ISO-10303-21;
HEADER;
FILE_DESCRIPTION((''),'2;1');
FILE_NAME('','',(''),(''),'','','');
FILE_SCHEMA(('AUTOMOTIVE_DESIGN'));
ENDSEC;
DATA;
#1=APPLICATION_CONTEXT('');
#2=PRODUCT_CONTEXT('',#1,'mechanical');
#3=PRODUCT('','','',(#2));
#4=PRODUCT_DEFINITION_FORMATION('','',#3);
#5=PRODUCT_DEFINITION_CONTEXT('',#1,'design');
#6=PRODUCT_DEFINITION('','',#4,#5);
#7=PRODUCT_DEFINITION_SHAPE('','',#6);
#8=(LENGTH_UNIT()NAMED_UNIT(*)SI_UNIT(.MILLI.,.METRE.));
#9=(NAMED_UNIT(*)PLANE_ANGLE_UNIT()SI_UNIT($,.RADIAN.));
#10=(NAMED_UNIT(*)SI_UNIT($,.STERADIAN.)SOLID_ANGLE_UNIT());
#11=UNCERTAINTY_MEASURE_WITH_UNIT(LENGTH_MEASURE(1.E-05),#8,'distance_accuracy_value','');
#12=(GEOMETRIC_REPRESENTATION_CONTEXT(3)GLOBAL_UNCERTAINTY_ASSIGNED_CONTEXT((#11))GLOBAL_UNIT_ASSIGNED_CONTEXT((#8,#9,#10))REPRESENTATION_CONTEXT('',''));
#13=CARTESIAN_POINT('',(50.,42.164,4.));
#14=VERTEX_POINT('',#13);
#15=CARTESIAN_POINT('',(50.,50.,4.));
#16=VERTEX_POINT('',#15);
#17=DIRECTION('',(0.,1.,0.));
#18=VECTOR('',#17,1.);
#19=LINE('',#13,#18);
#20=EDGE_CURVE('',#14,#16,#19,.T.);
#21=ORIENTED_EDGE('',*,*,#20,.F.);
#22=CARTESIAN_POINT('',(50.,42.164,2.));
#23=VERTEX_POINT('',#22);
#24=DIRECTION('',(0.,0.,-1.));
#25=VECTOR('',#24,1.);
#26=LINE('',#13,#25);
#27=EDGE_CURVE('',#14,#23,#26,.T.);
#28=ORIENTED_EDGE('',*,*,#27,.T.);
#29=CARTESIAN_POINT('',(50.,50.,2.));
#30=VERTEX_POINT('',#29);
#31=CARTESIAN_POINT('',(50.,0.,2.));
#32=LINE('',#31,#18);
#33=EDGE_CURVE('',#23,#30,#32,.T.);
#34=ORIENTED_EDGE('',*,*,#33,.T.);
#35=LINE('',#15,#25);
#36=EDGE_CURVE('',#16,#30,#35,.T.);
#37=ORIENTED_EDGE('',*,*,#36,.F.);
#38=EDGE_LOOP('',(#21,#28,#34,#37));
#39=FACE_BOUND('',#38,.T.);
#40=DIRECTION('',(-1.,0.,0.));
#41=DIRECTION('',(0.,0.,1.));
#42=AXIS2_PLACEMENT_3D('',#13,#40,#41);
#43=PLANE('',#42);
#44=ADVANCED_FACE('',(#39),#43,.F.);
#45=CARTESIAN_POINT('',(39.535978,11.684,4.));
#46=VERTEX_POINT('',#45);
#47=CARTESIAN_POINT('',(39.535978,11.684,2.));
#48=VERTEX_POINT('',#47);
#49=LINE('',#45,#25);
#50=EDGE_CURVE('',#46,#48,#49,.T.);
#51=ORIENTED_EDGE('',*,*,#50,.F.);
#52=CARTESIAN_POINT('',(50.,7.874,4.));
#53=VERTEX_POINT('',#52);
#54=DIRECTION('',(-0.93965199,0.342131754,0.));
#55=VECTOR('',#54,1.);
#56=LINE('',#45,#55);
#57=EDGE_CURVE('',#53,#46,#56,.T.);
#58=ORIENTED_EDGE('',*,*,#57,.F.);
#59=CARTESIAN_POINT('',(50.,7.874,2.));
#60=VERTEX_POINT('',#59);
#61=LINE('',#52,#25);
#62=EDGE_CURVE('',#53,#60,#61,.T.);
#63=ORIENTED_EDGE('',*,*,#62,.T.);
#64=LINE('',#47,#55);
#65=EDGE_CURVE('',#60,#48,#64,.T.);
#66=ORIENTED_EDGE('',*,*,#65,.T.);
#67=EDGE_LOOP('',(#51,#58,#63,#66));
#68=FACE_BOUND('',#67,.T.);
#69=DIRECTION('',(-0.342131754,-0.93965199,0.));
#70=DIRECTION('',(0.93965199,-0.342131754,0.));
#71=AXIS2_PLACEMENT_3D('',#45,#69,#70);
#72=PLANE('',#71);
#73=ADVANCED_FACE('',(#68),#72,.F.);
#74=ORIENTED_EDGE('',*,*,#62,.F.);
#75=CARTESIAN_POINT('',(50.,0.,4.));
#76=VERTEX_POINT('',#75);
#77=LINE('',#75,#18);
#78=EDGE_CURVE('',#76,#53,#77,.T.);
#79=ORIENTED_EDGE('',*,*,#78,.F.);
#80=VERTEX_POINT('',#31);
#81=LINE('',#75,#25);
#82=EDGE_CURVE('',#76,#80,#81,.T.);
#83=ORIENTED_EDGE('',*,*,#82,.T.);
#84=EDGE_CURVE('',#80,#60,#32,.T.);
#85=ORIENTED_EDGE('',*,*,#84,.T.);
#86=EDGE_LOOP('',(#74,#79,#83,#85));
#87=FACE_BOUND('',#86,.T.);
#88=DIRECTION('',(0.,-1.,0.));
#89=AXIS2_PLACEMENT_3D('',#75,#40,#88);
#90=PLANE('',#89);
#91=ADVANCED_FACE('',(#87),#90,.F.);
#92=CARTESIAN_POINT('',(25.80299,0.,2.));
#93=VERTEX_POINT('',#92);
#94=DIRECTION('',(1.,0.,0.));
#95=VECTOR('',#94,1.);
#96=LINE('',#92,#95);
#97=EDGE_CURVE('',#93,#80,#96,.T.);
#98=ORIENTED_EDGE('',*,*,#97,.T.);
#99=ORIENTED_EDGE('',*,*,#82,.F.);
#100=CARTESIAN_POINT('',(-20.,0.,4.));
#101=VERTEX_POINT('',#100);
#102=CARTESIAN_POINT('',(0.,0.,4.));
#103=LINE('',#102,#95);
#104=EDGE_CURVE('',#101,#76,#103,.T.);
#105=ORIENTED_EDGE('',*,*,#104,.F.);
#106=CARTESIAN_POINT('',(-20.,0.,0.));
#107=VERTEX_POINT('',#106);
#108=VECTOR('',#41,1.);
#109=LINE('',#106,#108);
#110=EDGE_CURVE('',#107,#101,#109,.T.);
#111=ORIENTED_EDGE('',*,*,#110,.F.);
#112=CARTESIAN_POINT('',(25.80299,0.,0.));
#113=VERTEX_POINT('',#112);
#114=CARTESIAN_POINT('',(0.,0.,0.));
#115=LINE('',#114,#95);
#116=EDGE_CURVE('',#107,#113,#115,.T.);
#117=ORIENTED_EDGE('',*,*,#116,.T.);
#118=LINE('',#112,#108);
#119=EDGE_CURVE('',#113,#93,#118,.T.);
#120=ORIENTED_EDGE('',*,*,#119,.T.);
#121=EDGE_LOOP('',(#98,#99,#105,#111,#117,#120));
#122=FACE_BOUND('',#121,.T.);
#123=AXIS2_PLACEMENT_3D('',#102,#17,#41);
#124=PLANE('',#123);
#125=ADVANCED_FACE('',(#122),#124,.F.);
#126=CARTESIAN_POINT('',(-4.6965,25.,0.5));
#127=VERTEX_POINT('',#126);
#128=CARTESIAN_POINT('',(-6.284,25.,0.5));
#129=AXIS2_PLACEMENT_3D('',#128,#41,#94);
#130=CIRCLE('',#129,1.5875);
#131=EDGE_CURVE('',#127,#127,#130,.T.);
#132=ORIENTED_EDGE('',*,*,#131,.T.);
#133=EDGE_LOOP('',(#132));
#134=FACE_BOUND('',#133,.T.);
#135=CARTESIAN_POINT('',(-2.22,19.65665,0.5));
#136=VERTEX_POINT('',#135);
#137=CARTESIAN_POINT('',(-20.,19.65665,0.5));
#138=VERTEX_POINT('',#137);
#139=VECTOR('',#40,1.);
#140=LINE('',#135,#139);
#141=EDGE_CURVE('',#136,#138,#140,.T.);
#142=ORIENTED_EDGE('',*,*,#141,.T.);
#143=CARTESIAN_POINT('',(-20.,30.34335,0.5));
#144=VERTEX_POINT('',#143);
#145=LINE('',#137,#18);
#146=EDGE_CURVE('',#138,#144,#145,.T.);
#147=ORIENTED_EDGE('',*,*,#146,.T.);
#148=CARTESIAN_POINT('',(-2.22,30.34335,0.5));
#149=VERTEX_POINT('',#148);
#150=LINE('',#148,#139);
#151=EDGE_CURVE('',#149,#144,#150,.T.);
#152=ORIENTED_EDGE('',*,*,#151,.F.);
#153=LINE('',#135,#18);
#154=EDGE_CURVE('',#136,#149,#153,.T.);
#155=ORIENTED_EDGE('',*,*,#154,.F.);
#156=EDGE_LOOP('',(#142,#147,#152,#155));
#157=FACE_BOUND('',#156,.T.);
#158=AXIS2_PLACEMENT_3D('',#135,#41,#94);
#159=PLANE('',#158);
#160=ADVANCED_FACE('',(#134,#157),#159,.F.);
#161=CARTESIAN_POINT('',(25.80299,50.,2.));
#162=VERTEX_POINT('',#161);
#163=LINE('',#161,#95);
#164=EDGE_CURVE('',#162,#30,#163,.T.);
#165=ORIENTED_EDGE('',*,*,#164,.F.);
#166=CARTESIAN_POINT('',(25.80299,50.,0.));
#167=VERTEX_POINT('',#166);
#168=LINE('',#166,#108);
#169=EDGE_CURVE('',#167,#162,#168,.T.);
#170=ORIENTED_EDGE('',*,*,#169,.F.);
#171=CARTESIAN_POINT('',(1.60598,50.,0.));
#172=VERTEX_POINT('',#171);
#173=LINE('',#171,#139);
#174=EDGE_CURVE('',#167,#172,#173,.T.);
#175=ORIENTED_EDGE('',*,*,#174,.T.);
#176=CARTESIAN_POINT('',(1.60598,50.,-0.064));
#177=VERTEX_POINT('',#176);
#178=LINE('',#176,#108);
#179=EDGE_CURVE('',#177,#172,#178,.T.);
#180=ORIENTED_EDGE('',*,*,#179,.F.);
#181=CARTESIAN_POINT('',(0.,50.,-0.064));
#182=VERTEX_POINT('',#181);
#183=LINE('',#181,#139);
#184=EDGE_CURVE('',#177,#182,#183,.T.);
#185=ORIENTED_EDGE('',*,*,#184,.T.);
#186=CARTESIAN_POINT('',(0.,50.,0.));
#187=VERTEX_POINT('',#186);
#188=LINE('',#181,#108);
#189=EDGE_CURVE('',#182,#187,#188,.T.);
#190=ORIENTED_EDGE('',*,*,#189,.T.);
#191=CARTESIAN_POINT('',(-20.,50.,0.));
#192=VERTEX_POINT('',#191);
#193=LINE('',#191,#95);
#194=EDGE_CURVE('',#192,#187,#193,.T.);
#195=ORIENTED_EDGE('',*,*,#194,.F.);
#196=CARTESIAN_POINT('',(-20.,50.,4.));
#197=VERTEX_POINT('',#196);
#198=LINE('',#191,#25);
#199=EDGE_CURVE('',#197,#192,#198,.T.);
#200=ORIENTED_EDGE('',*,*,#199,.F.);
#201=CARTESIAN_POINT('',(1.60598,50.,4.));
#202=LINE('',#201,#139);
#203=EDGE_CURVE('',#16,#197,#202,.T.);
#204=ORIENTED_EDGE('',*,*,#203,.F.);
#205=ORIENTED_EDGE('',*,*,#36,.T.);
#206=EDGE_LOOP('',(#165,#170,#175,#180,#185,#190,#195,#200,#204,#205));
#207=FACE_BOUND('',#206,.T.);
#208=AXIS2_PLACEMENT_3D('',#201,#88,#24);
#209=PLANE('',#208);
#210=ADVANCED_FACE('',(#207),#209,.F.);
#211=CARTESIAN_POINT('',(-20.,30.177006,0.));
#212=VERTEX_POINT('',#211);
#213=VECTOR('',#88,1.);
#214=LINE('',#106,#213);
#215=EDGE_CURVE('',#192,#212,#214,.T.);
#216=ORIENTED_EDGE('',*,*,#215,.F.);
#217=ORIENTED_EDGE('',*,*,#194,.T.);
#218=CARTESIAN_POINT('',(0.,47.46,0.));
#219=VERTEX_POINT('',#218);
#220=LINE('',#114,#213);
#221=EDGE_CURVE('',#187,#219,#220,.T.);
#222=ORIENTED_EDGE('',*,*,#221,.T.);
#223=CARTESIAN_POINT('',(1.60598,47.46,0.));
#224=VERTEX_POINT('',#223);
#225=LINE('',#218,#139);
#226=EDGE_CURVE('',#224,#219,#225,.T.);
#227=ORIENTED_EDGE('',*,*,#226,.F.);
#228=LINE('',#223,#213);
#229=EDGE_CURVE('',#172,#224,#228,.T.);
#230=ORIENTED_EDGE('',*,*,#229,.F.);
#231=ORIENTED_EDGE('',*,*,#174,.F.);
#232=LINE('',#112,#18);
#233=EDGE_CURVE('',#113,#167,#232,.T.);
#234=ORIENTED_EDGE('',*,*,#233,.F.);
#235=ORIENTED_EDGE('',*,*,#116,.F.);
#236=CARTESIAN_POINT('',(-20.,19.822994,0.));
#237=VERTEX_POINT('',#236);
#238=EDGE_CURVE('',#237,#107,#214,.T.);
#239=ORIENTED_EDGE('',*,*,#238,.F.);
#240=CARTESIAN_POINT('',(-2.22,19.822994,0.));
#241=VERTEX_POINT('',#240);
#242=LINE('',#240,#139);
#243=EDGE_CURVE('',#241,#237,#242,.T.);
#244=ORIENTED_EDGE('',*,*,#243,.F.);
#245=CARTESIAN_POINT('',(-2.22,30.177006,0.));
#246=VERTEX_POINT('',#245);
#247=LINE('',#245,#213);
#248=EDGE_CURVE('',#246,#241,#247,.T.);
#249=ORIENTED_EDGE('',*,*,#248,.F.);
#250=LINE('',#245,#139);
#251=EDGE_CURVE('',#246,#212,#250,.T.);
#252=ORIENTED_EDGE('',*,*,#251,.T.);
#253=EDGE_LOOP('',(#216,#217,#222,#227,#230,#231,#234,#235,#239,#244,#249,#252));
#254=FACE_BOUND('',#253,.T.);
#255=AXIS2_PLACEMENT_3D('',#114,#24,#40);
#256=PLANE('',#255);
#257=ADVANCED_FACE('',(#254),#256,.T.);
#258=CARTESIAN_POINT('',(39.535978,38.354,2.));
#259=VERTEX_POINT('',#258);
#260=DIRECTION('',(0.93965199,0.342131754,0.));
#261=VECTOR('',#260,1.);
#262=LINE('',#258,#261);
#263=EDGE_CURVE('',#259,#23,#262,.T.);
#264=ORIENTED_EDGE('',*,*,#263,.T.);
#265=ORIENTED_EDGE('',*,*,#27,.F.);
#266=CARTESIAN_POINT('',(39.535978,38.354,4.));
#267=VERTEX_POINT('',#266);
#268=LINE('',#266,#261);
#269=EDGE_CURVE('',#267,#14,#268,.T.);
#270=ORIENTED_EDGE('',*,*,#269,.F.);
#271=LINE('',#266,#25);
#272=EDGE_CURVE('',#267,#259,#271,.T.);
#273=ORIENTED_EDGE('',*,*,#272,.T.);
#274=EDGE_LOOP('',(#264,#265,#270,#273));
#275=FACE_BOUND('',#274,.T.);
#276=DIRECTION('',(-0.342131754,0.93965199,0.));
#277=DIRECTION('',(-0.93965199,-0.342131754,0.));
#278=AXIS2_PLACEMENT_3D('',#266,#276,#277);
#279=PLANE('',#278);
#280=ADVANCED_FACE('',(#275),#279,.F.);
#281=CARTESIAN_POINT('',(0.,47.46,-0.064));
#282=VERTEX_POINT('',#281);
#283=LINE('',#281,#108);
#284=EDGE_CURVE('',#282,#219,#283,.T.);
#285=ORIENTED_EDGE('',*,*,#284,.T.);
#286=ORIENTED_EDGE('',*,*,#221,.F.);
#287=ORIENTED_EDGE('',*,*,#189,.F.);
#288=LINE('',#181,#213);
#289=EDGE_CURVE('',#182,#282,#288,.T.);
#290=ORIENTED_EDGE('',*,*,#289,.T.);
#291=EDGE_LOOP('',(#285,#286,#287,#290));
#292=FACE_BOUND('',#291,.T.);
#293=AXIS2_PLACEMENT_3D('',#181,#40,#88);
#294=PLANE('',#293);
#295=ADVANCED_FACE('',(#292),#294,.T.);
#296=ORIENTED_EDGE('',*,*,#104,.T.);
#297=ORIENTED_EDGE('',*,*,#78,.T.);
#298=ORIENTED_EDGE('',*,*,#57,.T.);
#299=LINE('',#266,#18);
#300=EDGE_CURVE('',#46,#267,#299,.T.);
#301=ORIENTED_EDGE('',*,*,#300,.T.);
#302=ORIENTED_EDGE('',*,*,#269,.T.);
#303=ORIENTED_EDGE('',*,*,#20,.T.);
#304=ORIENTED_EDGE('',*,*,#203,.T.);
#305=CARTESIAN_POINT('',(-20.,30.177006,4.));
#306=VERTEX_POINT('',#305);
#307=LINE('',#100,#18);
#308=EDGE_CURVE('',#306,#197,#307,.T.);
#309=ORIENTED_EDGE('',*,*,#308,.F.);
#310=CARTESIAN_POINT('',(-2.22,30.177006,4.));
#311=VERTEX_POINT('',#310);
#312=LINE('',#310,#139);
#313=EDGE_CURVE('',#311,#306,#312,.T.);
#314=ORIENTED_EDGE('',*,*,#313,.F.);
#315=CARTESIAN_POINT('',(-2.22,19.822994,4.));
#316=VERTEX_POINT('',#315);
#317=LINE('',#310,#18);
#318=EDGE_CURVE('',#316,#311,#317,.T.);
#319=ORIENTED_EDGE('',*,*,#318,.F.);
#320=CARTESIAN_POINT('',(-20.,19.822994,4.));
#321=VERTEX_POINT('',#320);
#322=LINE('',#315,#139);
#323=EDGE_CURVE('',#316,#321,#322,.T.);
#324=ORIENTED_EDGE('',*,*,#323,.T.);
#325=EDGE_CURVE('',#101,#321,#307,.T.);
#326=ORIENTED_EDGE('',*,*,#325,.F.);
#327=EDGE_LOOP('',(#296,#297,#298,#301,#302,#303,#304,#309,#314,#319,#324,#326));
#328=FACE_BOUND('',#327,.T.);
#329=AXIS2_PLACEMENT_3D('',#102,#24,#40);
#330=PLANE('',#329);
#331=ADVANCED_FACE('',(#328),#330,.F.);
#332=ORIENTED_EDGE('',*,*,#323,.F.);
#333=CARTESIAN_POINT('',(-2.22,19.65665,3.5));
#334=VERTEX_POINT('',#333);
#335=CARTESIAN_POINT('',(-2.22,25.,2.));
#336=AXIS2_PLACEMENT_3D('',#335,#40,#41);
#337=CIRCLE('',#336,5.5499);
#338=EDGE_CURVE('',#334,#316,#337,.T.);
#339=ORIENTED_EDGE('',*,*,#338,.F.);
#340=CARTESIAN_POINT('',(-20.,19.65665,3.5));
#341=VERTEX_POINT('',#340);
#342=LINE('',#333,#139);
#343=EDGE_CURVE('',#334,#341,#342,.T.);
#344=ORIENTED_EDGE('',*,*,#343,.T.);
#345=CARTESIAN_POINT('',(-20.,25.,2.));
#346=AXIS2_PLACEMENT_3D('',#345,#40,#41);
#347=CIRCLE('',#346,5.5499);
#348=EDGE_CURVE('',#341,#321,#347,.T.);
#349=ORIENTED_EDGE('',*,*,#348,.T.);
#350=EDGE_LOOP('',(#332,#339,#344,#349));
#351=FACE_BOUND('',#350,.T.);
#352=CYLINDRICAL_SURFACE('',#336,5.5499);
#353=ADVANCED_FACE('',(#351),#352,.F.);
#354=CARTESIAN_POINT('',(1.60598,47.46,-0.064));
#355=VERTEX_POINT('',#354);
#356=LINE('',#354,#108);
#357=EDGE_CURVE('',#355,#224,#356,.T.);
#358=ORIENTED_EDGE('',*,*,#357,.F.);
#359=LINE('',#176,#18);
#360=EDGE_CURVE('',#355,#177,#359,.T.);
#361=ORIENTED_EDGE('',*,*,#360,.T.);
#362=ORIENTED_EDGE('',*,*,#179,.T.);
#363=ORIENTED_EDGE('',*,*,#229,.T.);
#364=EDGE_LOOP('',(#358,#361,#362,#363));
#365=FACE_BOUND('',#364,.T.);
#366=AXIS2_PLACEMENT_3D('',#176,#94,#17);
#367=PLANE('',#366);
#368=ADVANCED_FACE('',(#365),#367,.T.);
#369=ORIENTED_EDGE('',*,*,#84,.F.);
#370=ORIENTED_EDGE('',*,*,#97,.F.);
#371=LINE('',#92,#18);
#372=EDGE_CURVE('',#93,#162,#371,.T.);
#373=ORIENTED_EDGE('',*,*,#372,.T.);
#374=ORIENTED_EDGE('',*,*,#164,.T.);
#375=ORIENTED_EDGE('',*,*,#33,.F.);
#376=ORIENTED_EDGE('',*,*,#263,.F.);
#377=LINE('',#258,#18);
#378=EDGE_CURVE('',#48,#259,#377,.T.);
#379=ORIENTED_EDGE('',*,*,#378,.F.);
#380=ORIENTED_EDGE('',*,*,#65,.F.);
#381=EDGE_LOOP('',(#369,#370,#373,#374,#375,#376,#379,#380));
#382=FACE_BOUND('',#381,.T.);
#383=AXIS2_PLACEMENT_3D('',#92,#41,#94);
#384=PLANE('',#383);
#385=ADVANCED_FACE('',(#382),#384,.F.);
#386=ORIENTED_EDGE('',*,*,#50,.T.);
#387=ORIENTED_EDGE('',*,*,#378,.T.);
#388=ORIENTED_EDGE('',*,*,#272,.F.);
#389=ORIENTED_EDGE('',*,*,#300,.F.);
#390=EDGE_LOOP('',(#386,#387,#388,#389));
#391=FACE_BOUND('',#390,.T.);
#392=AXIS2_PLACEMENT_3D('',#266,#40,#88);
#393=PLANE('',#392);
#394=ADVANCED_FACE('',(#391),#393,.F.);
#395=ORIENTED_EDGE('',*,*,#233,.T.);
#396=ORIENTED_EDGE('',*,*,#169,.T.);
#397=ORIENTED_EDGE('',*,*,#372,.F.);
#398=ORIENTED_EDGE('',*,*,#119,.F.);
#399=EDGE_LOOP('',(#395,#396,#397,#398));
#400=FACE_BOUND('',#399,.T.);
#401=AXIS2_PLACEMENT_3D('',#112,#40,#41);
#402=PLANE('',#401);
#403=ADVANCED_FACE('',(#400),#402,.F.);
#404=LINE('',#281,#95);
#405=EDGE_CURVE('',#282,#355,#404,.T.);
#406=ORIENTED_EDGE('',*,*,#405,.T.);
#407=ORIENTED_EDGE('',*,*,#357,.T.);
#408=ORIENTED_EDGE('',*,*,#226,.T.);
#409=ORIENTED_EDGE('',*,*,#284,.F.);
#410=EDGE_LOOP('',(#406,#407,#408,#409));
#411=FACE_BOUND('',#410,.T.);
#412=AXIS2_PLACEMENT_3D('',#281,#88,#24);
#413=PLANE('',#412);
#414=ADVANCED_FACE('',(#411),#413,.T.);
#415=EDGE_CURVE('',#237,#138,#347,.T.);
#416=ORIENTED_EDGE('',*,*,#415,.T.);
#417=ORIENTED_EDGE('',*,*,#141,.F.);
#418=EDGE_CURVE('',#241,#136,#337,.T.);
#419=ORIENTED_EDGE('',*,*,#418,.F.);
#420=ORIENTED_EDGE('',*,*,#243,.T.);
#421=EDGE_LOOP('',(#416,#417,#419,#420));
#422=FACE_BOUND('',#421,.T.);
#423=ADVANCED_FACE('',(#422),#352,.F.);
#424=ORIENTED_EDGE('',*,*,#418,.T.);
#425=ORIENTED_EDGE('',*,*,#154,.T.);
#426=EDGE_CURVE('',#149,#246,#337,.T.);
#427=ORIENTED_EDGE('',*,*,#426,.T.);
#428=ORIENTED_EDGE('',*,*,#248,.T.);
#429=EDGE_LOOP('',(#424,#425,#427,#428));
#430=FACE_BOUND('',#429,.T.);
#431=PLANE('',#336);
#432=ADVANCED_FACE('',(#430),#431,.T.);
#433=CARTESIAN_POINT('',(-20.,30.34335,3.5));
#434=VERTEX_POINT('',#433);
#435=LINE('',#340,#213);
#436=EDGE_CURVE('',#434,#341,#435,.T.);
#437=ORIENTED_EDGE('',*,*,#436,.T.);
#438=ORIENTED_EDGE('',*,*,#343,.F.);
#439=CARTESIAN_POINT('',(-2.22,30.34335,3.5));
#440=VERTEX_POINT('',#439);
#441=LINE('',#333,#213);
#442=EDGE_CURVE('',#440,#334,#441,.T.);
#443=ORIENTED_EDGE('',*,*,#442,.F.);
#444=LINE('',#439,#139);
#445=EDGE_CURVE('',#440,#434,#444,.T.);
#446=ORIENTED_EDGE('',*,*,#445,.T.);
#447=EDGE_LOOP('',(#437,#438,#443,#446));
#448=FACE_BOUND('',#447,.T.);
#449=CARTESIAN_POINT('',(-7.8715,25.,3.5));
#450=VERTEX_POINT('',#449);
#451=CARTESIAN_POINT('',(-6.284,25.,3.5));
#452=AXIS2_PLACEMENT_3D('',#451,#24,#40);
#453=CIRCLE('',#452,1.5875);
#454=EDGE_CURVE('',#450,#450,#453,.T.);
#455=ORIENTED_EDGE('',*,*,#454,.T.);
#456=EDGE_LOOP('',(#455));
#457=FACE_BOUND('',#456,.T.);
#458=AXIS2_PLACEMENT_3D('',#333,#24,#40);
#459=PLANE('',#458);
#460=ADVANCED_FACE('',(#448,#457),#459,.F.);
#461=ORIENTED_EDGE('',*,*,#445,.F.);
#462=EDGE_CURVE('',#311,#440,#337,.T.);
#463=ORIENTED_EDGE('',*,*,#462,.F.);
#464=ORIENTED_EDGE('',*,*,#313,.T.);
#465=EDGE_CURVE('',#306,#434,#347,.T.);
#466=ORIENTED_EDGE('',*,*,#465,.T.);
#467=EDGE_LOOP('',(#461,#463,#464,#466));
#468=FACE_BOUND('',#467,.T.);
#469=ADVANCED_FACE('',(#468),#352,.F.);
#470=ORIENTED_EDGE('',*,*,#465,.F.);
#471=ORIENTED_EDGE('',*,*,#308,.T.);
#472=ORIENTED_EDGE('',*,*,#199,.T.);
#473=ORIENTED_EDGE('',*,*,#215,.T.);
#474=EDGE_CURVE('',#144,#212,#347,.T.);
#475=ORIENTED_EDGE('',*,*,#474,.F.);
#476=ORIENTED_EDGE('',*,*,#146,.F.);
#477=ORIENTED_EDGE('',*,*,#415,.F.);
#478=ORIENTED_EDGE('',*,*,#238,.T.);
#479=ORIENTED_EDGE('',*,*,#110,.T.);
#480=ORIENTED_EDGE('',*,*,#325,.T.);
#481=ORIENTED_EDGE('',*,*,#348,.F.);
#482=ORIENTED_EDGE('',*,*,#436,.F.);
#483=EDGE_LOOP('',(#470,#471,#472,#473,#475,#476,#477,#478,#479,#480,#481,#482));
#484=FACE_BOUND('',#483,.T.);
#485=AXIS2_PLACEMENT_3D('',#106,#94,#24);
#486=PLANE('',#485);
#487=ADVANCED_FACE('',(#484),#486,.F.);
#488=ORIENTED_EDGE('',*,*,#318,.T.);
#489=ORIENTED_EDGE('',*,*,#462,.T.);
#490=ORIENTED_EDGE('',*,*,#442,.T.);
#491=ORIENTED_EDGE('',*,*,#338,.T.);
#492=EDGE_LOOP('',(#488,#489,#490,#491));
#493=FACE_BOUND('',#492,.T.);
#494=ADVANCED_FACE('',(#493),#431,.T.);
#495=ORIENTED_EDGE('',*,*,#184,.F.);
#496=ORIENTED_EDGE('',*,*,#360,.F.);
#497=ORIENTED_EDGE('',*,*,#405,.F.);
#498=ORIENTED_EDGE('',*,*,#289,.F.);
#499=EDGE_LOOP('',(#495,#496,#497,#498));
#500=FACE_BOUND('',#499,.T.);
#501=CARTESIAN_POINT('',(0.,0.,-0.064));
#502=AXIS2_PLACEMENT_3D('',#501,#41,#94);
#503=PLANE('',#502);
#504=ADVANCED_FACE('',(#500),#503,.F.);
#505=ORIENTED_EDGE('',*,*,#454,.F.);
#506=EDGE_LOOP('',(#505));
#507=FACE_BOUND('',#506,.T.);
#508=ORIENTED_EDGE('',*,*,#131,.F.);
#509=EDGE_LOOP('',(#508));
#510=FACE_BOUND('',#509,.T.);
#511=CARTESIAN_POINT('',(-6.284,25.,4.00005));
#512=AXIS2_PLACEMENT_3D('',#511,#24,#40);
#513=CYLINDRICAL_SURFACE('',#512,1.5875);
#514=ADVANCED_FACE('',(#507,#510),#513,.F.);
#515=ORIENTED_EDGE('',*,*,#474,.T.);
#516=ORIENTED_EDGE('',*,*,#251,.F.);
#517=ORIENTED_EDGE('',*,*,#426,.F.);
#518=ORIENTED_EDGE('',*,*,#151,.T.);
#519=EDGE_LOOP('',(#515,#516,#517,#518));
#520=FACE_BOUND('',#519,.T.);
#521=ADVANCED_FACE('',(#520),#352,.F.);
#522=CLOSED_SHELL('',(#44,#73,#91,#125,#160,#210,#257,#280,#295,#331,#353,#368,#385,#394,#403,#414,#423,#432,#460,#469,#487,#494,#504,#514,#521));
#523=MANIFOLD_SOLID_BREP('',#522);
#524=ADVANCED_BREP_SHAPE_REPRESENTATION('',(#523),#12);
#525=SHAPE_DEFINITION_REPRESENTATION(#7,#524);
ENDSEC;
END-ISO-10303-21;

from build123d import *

# Parameters (mm, degrees)
BOSS_EXTRUDE1_DEPTH = 4
SKETCH3_W           = 24.197009966
SKETCH3_H           = 2
CUT_EXTRUDE1_DEPTH  = 51
SKETCH5_W           = 4
SKETCH5_H           = 50
BOSS_EXTRUDE2_DEPTH = 20
CUT_EXTRUDE2_DEPTH  = 17.78
SKETCH7_R           = 1.5875
CUT_EXTRUDE3_DEPTH  = 5
SKETCH8_W           = 1.605980069
SKETCH8_H           = 2.54
BOSS_EXTRUDE3_DEPTH = 4.064


with BuildPart() as part:
    # Sketch2 → Boss-Extrude1 (new body)
    with BuildSketch(Plane.XY):
        Polygon((50, 42.164), (50, 50), (1.605980069, 50), (1.605980069, 47.46), (0, 47.46), (0, 0), (50, 0), (50, 7.874), (39.535978332, 11.684), (39.535978332, 38.354), align=None)
    extrude(amount=BOSS_EXTRUDE1_DEPTH)

    # Sketch3 → Cut-Extrude1 (cut, through all)
    with BuildSketch(Plane(origin=(0, 50, 0), x_dir=(1, 0, 0), z_dir=(0, 1, 0))):
        with Locations((37.901495017, -1)):
            Rectangle(SKETCH3_W, SKETCH3_H)
    extrude(amount=-CUT_EXTRUDE1_DEPTH, mode=Mode.SUBTRACT)

    # Sketch5 → Boss-Extrude2 (add)
    with BuildSketch(Plane.ZY):
        with Locations((2, 25)):
            Rectangle(SKETCH5_W, SKETCH5_H)
    extrude(amount=BOSS_EXTRUDE2_DEPTH)

    # Sketch6 → Cut-Extrude2 (cut)
    with BuildSketch(Plane.ZY.offset(20)):
        with BuildLine():
            Line((3.5, 19.656649926), (3.5, 30.343350074))
            ThreePointArc((3.5, 30.343350074), (3.751975341, 30.266115496), (4, 30.177005892))
            Line((4, 30.177005892), (4, 19.822994108))
            ThreePointArc((4, 19.822994108), (3.751975341, 19.733884504), (3.5, 19.656649926))
        make_face()
        with BuildLine():
            Line((0.5, 19.656649926), (0.5, 30.343350074))
            ThreePointArc((0.5, 30.343350074), (0.248024659, 30.266115496), (0, 30.177005892))
            Line((0, 30.177005892), (0, 19.822994108))
            ThreePointArc((0, 19.822994108), (0.248024659, 19.733884504), (0.5, 19.656649926))
        make_face()
    extrude(amount=-CUT_EXTRUDE2_DEPTH, mode=Mode.SUBTRACT)

    # Sketch7 → Cut-Extrude3 (cut, through all)
    with BuildSketch(Plane(origin=(0, 0, 0), x_dir=(-1, 0, 0), z_dir=(0, 0, -1))):
        with Locations((6.284, 25)):
            Circle(SKETCH7_R)
    extrude(amount=-CUT_EXTRUDE3_DEPTH, mode=Mode.SUBTRACT)

    # Sketch8 → Boss-Extrude3 (add)
    with BuildSketch(Plane.XY.offset(4)):
        with Locations((0.802990035, 48.73)):
            Rectangle(SKETCH8_W, SKETCH8_H)
    extrude(amount=-BOSS_EXTRUDE3_DEPTH)


solid = part.part
